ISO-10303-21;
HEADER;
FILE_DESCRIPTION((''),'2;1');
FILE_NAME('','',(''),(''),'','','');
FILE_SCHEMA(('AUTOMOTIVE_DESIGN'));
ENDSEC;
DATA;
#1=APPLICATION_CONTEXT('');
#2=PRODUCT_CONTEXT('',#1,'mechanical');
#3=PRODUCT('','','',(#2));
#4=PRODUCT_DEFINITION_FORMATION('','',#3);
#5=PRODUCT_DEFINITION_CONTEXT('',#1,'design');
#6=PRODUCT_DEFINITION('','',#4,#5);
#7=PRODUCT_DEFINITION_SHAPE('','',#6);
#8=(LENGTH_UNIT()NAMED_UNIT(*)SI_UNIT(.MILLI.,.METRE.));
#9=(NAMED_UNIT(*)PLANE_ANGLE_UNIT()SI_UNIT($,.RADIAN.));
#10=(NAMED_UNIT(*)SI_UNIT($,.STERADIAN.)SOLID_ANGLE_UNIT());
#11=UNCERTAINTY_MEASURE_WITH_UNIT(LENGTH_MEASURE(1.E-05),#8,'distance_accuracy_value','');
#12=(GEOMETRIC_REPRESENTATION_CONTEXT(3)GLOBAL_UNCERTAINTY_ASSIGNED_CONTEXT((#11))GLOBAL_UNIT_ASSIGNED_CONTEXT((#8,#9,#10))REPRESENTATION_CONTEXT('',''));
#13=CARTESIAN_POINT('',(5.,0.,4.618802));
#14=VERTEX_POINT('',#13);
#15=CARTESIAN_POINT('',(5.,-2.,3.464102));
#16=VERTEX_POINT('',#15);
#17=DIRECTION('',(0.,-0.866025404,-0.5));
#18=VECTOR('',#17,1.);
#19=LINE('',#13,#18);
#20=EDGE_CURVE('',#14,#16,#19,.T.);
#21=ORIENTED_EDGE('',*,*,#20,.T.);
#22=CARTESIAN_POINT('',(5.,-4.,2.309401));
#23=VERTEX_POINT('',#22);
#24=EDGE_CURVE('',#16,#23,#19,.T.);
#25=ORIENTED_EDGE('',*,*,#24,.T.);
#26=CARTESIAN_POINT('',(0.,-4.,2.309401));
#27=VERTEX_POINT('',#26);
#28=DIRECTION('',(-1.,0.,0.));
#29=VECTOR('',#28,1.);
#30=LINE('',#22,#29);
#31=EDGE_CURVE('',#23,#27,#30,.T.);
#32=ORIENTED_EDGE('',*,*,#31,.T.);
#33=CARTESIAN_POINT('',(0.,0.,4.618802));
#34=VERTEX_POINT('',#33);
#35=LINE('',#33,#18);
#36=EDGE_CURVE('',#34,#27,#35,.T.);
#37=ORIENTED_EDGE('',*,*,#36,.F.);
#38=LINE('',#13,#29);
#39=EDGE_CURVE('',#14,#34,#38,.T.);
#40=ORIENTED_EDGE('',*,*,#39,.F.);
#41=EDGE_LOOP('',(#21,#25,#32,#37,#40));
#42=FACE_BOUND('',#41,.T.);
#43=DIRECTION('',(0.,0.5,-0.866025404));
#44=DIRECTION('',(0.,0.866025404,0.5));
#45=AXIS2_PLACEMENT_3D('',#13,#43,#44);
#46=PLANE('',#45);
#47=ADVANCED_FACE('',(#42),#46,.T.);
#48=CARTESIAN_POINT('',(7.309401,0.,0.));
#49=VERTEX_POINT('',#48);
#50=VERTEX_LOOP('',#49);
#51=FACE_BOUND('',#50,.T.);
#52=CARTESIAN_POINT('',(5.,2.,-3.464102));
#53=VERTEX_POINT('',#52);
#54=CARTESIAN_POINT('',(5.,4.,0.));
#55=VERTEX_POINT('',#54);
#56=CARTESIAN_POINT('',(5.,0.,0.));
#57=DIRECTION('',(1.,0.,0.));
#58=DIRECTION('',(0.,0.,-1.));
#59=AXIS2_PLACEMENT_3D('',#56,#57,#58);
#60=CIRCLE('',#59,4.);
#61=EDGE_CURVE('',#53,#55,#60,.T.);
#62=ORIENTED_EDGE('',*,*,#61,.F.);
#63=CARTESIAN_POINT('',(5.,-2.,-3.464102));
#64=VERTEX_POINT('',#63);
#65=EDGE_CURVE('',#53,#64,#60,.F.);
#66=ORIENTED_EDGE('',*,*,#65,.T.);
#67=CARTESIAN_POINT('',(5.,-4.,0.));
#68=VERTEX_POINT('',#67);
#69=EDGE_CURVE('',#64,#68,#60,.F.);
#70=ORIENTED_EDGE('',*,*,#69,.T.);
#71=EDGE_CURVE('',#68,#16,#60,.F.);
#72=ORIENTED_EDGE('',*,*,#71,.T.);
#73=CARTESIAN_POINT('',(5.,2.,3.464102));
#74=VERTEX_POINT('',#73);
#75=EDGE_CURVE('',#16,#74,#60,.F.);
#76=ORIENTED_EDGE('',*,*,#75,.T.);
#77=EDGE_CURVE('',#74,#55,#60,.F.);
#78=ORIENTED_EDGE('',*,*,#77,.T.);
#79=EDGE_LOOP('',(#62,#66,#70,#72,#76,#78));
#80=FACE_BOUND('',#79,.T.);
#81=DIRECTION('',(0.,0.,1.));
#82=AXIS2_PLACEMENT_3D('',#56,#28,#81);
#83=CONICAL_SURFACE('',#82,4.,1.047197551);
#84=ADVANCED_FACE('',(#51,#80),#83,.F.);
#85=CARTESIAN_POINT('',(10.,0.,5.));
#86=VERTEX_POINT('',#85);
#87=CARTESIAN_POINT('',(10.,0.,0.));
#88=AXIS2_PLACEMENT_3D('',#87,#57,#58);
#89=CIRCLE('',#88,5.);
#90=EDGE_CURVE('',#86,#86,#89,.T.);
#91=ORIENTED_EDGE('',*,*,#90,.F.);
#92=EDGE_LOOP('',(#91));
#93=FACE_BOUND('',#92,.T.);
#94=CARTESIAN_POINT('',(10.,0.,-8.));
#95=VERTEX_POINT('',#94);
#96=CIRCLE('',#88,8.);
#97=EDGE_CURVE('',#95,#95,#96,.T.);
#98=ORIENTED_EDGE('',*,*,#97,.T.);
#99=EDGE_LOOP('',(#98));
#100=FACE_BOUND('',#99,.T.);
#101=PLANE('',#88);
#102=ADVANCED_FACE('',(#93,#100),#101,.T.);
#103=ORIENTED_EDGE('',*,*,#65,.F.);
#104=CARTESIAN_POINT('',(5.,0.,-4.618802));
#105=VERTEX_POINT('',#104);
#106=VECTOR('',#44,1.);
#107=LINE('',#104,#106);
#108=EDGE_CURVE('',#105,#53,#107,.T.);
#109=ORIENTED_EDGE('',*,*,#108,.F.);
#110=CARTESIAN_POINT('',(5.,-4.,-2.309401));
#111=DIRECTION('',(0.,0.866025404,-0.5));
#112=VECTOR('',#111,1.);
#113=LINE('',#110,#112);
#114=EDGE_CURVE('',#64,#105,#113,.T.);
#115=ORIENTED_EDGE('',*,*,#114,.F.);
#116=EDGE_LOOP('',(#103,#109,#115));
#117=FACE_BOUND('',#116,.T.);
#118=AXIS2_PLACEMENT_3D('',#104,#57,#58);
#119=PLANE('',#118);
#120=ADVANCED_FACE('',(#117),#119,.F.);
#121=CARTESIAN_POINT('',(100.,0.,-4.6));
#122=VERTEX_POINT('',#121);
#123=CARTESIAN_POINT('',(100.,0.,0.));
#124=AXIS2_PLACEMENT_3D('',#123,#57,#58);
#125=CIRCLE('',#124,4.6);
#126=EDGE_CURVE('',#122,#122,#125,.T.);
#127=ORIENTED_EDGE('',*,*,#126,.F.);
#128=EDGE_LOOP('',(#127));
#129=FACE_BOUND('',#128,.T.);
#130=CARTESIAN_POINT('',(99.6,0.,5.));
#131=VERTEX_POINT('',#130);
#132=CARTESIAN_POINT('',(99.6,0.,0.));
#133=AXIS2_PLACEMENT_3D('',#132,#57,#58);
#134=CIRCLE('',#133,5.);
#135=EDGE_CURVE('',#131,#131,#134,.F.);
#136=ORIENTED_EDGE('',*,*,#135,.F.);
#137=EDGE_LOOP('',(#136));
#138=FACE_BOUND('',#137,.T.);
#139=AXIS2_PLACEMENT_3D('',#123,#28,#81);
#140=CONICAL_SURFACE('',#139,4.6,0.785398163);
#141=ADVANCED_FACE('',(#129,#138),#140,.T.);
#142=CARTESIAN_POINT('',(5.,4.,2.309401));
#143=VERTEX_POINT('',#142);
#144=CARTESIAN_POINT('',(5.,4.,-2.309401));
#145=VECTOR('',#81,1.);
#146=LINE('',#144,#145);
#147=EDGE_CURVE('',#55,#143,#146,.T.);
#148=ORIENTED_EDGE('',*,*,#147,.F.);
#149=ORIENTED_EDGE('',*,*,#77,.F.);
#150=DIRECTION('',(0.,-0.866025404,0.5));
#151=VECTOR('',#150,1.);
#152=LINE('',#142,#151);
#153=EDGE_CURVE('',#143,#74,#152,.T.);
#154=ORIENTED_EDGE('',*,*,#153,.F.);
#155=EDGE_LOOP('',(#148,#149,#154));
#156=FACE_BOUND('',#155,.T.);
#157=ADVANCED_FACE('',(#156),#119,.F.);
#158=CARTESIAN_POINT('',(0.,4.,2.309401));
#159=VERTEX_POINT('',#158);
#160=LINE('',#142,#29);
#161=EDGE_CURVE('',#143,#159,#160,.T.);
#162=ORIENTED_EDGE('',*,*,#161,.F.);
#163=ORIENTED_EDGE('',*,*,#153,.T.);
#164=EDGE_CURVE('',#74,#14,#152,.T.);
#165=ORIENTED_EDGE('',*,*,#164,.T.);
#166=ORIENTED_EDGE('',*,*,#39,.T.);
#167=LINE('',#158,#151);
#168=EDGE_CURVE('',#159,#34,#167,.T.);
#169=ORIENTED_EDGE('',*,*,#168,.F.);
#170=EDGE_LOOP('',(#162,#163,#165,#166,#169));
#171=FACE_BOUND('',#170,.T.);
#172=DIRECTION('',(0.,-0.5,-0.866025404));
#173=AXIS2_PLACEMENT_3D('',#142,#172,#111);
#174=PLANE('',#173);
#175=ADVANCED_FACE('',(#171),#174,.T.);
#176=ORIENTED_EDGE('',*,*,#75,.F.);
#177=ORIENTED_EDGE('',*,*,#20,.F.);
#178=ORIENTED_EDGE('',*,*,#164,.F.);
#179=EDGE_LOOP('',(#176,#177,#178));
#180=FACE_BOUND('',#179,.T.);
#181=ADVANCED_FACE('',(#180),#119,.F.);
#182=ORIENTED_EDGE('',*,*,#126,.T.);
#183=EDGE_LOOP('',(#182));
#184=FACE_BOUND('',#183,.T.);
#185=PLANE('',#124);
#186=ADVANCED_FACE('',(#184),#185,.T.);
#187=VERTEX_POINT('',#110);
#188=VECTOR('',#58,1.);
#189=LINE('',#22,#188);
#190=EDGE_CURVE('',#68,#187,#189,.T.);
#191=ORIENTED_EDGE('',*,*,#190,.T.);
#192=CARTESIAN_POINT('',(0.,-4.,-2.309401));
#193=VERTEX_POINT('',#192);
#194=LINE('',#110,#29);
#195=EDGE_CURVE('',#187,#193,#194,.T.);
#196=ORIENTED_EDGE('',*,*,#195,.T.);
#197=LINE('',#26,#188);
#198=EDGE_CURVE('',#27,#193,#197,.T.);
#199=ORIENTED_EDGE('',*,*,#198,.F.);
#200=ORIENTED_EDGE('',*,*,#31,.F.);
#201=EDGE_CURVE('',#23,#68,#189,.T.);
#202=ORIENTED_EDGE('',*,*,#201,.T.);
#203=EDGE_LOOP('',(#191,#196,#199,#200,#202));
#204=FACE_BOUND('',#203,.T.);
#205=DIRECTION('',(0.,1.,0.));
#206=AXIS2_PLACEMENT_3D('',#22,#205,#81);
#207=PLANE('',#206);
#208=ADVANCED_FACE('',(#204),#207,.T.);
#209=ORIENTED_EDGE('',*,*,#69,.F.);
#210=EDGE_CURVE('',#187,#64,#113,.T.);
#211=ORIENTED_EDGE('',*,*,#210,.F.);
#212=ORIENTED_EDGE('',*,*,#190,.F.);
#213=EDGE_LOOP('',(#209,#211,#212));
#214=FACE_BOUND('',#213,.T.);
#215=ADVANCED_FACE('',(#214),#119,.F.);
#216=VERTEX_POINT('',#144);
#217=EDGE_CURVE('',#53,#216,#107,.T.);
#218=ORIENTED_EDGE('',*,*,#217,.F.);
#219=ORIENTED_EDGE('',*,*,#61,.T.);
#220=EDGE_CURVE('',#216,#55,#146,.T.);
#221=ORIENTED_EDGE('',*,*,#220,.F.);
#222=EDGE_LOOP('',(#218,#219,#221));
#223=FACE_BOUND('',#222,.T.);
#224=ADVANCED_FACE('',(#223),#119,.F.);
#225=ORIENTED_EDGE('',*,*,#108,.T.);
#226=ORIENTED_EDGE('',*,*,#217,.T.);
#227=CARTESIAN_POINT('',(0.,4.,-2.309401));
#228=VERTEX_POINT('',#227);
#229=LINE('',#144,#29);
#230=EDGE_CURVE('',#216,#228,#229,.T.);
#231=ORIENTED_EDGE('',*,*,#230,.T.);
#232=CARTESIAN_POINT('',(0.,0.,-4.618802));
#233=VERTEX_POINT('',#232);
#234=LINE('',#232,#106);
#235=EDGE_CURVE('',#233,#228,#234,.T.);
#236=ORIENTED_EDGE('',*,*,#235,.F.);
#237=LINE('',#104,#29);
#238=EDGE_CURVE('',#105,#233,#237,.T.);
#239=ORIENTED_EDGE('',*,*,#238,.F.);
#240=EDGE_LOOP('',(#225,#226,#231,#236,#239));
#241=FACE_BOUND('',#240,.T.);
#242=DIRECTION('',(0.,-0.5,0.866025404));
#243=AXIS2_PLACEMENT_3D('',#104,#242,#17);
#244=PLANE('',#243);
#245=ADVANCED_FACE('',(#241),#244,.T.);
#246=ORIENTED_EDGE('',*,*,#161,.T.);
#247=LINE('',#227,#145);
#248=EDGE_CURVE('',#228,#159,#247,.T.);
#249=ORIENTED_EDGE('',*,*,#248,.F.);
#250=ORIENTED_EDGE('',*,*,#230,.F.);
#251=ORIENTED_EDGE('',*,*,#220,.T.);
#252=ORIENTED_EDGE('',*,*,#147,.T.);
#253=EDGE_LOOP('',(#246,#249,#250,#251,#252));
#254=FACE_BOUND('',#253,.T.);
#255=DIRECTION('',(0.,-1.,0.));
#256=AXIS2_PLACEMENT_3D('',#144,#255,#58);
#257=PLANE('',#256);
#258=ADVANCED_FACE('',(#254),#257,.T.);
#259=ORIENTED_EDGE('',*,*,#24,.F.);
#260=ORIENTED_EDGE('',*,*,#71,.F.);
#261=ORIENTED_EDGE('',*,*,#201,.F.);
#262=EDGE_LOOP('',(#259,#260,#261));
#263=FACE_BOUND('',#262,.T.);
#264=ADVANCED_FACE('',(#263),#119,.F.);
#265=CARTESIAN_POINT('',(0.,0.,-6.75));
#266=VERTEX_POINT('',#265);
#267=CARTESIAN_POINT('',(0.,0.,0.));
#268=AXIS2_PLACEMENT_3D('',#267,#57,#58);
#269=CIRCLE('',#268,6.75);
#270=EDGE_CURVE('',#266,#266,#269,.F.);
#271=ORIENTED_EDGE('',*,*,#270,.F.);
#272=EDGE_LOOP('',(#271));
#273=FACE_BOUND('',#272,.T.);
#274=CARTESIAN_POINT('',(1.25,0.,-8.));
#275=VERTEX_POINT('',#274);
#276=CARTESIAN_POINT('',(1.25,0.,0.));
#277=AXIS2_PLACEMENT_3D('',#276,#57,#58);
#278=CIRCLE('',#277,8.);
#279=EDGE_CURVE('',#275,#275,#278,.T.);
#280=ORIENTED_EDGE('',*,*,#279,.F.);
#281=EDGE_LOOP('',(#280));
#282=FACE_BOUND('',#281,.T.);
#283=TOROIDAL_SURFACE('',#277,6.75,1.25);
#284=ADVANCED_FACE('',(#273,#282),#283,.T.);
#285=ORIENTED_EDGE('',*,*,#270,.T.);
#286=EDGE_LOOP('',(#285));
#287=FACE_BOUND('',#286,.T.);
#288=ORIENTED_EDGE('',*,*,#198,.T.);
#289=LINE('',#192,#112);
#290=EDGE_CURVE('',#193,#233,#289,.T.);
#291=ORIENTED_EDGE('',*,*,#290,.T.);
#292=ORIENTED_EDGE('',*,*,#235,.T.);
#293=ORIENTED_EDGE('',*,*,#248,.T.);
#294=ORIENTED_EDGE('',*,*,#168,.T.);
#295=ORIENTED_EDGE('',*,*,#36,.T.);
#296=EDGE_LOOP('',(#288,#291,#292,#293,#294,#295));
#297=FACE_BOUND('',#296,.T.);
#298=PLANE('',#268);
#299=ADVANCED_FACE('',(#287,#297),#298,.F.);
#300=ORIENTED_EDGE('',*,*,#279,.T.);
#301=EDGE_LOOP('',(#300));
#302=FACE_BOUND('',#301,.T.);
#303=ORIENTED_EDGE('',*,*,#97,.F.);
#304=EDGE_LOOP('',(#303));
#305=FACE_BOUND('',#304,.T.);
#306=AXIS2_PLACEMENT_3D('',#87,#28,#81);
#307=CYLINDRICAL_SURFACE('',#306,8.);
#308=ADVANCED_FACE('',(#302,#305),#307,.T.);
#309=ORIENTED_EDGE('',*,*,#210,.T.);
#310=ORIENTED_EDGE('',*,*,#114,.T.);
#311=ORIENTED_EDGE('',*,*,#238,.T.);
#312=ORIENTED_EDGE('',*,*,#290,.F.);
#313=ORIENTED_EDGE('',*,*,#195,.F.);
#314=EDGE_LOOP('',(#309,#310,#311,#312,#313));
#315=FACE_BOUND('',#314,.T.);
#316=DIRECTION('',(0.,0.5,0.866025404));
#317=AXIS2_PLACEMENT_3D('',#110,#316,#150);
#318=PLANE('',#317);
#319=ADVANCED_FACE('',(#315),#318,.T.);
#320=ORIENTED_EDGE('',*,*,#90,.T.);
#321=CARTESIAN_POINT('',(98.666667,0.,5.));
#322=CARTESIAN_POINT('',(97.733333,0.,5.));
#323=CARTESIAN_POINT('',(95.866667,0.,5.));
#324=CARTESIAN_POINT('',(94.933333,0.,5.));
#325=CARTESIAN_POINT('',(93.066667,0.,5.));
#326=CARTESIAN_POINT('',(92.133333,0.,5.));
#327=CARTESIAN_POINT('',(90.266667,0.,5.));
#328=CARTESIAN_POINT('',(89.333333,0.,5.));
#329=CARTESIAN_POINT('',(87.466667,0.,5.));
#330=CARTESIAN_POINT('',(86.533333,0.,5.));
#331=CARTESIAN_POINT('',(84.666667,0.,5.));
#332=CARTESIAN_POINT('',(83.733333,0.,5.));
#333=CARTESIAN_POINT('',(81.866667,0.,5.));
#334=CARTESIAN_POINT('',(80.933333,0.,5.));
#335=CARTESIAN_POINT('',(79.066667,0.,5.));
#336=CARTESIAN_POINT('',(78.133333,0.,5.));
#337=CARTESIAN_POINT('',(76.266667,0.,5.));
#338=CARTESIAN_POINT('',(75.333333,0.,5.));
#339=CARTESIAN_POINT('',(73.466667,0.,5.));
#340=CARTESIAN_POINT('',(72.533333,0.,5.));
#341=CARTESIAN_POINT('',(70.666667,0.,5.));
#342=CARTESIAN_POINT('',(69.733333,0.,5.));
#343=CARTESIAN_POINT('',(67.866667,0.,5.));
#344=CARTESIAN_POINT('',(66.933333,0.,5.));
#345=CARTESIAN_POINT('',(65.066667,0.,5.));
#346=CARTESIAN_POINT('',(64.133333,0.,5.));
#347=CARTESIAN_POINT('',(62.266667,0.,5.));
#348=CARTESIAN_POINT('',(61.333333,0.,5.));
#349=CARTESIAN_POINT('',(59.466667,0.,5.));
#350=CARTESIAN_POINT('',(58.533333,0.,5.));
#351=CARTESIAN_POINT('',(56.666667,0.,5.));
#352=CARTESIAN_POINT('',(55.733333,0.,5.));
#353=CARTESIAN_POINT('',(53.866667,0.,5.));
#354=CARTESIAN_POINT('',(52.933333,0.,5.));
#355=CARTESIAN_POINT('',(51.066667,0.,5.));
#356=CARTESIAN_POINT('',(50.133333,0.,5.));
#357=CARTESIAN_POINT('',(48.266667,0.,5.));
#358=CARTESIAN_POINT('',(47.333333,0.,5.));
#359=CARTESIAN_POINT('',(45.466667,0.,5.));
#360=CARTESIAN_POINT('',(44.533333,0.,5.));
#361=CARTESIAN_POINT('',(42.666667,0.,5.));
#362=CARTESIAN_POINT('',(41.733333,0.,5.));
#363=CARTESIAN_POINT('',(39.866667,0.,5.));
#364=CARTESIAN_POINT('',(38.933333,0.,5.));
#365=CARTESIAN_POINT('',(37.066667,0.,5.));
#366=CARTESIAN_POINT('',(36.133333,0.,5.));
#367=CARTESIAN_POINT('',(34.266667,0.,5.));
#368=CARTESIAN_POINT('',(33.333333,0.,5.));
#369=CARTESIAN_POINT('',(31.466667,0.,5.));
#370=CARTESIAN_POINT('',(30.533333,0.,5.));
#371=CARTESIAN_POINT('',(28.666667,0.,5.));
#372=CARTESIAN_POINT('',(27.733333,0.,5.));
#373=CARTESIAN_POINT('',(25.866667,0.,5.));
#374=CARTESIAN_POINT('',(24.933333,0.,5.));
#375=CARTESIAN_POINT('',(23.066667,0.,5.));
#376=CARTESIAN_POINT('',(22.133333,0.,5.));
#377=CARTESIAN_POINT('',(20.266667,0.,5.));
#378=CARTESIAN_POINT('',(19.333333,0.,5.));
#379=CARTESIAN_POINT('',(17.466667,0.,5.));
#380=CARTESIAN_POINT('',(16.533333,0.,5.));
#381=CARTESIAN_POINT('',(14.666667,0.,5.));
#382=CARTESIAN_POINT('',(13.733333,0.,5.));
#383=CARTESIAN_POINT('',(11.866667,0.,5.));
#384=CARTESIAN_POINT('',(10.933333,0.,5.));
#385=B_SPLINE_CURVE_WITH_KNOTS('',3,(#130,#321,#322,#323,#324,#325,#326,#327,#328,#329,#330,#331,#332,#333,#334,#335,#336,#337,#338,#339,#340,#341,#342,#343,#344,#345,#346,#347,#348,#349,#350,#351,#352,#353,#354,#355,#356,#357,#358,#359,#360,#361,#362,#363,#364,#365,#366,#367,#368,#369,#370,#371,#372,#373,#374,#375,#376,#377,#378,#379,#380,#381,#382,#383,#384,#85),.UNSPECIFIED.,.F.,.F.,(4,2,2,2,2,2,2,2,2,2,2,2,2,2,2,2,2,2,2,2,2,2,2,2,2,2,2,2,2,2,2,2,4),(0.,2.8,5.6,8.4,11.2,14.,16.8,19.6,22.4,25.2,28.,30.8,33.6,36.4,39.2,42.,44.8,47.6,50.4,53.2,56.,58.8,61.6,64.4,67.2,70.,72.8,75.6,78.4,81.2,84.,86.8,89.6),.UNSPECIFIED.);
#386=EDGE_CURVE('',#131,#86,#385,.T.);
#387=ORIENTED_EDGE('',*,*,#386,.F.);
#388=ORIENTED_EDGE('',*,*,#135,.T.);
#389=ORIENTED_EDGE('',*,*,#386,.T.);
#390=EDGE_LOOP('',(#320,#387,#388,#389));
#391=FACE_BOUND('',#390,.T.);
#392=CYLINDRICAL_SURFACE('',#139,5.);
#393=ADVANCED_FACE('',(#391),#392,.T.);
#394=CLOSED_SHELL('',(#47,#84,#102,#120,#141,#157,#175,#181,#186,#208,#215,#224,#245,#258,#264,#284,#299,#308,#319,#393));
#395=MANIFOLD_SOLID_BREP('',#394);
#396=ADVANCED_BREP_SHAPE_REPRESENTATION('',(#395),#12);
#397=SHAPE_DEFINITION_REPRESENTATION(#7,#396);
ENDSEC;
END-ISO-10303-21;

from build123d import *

# Parameters (mm, degrees)
SKETCH1_R           = 8
BASEHEAD_DEPTH      = 10
SKETCH2_R           = 5
BASEBODY_DEPTH      = 90
HEXAGONSOCKET_DEPTH = 5
TOPFILLET_R         = 1.25
CHAMFER1_SIZE       = 0.4


with BuildPart() as part:
    # Sketch1 → BaseHead (new body)
    with BuildSketch(Plane(origin=(0, 0, 0), x_dir=(0, 0, -1), z_dir=(1, 0, 0))):
        Circle(SKETCH1_R)
    extrude(amount=BASEHEAD_DEPTH)

    # Sketch2 → BaseBody (add)
    with BuildSketch(Plane(origin=(10, 0, 0), x_dir=(0, 0, -1), z_dir=(1, 0, 0))):
        with Locations(Location((0, 0, 0), (0, 0, 180))):
            Circle(SKETCH2_R)
    extrude(amount=BASEBODY_DEPTH)

    # Sketch3 → HexagonSocket (cut)
    with BuildSketch(Plane(origin=(0, 0, 0), x_dir=(0, 0, -1), z_dir=(1, 0, 0))):
        Polygon((4.618802154, 0), (2.309401077, 4), (-2.309401077, 4), (-4.618802154, 0), (-2.309401077, -4), (2.309401077, -4), align=None)
    extrude(amount=HEXAGONSOCKET_DEPTH, mode=Mode.SUBTRACT)

    # Sketch4 → Cut-Revolve1 (revolve, cut)
    with BuildSketch(Plane(origin=(-4.19613823, 0.75, 0), x_dir=(-1, 0, 0), z_dir=(0, 0, 1)), mode=Mode.PRIVATE) as cut_revolve1_sk:
        Polygon((-9.19613823, 4.75), (-11.505539306, 0.75), (-9.19613823, 0.75), align=None)
    revolve(cut_revolve1_sk.sketch.rotate(Axis((0.838992387, 0, 0), (-1, 0, 0)), 90), axis=Axis((0.838992387, 0, 0), (-1, 0, 0)), mode=Mode.SUBTRACT)

    # TopFillet
    topfillet_edges = [part.edges().sort_by_distance(p)[0] for p in [
        (0, 0, 8),
    ]]
    fillet(topfillet_edges, radius=TOPFILLET_R)

    # Chamfer1
    chamfer1_edges = [part.edges().sort_by_distance(p)[0] for p in [
        (100, 0, -5),
    ]]
    chamfer(chamfer1_edges, length=CHAMFER1_SIZE)


solid = part.part
